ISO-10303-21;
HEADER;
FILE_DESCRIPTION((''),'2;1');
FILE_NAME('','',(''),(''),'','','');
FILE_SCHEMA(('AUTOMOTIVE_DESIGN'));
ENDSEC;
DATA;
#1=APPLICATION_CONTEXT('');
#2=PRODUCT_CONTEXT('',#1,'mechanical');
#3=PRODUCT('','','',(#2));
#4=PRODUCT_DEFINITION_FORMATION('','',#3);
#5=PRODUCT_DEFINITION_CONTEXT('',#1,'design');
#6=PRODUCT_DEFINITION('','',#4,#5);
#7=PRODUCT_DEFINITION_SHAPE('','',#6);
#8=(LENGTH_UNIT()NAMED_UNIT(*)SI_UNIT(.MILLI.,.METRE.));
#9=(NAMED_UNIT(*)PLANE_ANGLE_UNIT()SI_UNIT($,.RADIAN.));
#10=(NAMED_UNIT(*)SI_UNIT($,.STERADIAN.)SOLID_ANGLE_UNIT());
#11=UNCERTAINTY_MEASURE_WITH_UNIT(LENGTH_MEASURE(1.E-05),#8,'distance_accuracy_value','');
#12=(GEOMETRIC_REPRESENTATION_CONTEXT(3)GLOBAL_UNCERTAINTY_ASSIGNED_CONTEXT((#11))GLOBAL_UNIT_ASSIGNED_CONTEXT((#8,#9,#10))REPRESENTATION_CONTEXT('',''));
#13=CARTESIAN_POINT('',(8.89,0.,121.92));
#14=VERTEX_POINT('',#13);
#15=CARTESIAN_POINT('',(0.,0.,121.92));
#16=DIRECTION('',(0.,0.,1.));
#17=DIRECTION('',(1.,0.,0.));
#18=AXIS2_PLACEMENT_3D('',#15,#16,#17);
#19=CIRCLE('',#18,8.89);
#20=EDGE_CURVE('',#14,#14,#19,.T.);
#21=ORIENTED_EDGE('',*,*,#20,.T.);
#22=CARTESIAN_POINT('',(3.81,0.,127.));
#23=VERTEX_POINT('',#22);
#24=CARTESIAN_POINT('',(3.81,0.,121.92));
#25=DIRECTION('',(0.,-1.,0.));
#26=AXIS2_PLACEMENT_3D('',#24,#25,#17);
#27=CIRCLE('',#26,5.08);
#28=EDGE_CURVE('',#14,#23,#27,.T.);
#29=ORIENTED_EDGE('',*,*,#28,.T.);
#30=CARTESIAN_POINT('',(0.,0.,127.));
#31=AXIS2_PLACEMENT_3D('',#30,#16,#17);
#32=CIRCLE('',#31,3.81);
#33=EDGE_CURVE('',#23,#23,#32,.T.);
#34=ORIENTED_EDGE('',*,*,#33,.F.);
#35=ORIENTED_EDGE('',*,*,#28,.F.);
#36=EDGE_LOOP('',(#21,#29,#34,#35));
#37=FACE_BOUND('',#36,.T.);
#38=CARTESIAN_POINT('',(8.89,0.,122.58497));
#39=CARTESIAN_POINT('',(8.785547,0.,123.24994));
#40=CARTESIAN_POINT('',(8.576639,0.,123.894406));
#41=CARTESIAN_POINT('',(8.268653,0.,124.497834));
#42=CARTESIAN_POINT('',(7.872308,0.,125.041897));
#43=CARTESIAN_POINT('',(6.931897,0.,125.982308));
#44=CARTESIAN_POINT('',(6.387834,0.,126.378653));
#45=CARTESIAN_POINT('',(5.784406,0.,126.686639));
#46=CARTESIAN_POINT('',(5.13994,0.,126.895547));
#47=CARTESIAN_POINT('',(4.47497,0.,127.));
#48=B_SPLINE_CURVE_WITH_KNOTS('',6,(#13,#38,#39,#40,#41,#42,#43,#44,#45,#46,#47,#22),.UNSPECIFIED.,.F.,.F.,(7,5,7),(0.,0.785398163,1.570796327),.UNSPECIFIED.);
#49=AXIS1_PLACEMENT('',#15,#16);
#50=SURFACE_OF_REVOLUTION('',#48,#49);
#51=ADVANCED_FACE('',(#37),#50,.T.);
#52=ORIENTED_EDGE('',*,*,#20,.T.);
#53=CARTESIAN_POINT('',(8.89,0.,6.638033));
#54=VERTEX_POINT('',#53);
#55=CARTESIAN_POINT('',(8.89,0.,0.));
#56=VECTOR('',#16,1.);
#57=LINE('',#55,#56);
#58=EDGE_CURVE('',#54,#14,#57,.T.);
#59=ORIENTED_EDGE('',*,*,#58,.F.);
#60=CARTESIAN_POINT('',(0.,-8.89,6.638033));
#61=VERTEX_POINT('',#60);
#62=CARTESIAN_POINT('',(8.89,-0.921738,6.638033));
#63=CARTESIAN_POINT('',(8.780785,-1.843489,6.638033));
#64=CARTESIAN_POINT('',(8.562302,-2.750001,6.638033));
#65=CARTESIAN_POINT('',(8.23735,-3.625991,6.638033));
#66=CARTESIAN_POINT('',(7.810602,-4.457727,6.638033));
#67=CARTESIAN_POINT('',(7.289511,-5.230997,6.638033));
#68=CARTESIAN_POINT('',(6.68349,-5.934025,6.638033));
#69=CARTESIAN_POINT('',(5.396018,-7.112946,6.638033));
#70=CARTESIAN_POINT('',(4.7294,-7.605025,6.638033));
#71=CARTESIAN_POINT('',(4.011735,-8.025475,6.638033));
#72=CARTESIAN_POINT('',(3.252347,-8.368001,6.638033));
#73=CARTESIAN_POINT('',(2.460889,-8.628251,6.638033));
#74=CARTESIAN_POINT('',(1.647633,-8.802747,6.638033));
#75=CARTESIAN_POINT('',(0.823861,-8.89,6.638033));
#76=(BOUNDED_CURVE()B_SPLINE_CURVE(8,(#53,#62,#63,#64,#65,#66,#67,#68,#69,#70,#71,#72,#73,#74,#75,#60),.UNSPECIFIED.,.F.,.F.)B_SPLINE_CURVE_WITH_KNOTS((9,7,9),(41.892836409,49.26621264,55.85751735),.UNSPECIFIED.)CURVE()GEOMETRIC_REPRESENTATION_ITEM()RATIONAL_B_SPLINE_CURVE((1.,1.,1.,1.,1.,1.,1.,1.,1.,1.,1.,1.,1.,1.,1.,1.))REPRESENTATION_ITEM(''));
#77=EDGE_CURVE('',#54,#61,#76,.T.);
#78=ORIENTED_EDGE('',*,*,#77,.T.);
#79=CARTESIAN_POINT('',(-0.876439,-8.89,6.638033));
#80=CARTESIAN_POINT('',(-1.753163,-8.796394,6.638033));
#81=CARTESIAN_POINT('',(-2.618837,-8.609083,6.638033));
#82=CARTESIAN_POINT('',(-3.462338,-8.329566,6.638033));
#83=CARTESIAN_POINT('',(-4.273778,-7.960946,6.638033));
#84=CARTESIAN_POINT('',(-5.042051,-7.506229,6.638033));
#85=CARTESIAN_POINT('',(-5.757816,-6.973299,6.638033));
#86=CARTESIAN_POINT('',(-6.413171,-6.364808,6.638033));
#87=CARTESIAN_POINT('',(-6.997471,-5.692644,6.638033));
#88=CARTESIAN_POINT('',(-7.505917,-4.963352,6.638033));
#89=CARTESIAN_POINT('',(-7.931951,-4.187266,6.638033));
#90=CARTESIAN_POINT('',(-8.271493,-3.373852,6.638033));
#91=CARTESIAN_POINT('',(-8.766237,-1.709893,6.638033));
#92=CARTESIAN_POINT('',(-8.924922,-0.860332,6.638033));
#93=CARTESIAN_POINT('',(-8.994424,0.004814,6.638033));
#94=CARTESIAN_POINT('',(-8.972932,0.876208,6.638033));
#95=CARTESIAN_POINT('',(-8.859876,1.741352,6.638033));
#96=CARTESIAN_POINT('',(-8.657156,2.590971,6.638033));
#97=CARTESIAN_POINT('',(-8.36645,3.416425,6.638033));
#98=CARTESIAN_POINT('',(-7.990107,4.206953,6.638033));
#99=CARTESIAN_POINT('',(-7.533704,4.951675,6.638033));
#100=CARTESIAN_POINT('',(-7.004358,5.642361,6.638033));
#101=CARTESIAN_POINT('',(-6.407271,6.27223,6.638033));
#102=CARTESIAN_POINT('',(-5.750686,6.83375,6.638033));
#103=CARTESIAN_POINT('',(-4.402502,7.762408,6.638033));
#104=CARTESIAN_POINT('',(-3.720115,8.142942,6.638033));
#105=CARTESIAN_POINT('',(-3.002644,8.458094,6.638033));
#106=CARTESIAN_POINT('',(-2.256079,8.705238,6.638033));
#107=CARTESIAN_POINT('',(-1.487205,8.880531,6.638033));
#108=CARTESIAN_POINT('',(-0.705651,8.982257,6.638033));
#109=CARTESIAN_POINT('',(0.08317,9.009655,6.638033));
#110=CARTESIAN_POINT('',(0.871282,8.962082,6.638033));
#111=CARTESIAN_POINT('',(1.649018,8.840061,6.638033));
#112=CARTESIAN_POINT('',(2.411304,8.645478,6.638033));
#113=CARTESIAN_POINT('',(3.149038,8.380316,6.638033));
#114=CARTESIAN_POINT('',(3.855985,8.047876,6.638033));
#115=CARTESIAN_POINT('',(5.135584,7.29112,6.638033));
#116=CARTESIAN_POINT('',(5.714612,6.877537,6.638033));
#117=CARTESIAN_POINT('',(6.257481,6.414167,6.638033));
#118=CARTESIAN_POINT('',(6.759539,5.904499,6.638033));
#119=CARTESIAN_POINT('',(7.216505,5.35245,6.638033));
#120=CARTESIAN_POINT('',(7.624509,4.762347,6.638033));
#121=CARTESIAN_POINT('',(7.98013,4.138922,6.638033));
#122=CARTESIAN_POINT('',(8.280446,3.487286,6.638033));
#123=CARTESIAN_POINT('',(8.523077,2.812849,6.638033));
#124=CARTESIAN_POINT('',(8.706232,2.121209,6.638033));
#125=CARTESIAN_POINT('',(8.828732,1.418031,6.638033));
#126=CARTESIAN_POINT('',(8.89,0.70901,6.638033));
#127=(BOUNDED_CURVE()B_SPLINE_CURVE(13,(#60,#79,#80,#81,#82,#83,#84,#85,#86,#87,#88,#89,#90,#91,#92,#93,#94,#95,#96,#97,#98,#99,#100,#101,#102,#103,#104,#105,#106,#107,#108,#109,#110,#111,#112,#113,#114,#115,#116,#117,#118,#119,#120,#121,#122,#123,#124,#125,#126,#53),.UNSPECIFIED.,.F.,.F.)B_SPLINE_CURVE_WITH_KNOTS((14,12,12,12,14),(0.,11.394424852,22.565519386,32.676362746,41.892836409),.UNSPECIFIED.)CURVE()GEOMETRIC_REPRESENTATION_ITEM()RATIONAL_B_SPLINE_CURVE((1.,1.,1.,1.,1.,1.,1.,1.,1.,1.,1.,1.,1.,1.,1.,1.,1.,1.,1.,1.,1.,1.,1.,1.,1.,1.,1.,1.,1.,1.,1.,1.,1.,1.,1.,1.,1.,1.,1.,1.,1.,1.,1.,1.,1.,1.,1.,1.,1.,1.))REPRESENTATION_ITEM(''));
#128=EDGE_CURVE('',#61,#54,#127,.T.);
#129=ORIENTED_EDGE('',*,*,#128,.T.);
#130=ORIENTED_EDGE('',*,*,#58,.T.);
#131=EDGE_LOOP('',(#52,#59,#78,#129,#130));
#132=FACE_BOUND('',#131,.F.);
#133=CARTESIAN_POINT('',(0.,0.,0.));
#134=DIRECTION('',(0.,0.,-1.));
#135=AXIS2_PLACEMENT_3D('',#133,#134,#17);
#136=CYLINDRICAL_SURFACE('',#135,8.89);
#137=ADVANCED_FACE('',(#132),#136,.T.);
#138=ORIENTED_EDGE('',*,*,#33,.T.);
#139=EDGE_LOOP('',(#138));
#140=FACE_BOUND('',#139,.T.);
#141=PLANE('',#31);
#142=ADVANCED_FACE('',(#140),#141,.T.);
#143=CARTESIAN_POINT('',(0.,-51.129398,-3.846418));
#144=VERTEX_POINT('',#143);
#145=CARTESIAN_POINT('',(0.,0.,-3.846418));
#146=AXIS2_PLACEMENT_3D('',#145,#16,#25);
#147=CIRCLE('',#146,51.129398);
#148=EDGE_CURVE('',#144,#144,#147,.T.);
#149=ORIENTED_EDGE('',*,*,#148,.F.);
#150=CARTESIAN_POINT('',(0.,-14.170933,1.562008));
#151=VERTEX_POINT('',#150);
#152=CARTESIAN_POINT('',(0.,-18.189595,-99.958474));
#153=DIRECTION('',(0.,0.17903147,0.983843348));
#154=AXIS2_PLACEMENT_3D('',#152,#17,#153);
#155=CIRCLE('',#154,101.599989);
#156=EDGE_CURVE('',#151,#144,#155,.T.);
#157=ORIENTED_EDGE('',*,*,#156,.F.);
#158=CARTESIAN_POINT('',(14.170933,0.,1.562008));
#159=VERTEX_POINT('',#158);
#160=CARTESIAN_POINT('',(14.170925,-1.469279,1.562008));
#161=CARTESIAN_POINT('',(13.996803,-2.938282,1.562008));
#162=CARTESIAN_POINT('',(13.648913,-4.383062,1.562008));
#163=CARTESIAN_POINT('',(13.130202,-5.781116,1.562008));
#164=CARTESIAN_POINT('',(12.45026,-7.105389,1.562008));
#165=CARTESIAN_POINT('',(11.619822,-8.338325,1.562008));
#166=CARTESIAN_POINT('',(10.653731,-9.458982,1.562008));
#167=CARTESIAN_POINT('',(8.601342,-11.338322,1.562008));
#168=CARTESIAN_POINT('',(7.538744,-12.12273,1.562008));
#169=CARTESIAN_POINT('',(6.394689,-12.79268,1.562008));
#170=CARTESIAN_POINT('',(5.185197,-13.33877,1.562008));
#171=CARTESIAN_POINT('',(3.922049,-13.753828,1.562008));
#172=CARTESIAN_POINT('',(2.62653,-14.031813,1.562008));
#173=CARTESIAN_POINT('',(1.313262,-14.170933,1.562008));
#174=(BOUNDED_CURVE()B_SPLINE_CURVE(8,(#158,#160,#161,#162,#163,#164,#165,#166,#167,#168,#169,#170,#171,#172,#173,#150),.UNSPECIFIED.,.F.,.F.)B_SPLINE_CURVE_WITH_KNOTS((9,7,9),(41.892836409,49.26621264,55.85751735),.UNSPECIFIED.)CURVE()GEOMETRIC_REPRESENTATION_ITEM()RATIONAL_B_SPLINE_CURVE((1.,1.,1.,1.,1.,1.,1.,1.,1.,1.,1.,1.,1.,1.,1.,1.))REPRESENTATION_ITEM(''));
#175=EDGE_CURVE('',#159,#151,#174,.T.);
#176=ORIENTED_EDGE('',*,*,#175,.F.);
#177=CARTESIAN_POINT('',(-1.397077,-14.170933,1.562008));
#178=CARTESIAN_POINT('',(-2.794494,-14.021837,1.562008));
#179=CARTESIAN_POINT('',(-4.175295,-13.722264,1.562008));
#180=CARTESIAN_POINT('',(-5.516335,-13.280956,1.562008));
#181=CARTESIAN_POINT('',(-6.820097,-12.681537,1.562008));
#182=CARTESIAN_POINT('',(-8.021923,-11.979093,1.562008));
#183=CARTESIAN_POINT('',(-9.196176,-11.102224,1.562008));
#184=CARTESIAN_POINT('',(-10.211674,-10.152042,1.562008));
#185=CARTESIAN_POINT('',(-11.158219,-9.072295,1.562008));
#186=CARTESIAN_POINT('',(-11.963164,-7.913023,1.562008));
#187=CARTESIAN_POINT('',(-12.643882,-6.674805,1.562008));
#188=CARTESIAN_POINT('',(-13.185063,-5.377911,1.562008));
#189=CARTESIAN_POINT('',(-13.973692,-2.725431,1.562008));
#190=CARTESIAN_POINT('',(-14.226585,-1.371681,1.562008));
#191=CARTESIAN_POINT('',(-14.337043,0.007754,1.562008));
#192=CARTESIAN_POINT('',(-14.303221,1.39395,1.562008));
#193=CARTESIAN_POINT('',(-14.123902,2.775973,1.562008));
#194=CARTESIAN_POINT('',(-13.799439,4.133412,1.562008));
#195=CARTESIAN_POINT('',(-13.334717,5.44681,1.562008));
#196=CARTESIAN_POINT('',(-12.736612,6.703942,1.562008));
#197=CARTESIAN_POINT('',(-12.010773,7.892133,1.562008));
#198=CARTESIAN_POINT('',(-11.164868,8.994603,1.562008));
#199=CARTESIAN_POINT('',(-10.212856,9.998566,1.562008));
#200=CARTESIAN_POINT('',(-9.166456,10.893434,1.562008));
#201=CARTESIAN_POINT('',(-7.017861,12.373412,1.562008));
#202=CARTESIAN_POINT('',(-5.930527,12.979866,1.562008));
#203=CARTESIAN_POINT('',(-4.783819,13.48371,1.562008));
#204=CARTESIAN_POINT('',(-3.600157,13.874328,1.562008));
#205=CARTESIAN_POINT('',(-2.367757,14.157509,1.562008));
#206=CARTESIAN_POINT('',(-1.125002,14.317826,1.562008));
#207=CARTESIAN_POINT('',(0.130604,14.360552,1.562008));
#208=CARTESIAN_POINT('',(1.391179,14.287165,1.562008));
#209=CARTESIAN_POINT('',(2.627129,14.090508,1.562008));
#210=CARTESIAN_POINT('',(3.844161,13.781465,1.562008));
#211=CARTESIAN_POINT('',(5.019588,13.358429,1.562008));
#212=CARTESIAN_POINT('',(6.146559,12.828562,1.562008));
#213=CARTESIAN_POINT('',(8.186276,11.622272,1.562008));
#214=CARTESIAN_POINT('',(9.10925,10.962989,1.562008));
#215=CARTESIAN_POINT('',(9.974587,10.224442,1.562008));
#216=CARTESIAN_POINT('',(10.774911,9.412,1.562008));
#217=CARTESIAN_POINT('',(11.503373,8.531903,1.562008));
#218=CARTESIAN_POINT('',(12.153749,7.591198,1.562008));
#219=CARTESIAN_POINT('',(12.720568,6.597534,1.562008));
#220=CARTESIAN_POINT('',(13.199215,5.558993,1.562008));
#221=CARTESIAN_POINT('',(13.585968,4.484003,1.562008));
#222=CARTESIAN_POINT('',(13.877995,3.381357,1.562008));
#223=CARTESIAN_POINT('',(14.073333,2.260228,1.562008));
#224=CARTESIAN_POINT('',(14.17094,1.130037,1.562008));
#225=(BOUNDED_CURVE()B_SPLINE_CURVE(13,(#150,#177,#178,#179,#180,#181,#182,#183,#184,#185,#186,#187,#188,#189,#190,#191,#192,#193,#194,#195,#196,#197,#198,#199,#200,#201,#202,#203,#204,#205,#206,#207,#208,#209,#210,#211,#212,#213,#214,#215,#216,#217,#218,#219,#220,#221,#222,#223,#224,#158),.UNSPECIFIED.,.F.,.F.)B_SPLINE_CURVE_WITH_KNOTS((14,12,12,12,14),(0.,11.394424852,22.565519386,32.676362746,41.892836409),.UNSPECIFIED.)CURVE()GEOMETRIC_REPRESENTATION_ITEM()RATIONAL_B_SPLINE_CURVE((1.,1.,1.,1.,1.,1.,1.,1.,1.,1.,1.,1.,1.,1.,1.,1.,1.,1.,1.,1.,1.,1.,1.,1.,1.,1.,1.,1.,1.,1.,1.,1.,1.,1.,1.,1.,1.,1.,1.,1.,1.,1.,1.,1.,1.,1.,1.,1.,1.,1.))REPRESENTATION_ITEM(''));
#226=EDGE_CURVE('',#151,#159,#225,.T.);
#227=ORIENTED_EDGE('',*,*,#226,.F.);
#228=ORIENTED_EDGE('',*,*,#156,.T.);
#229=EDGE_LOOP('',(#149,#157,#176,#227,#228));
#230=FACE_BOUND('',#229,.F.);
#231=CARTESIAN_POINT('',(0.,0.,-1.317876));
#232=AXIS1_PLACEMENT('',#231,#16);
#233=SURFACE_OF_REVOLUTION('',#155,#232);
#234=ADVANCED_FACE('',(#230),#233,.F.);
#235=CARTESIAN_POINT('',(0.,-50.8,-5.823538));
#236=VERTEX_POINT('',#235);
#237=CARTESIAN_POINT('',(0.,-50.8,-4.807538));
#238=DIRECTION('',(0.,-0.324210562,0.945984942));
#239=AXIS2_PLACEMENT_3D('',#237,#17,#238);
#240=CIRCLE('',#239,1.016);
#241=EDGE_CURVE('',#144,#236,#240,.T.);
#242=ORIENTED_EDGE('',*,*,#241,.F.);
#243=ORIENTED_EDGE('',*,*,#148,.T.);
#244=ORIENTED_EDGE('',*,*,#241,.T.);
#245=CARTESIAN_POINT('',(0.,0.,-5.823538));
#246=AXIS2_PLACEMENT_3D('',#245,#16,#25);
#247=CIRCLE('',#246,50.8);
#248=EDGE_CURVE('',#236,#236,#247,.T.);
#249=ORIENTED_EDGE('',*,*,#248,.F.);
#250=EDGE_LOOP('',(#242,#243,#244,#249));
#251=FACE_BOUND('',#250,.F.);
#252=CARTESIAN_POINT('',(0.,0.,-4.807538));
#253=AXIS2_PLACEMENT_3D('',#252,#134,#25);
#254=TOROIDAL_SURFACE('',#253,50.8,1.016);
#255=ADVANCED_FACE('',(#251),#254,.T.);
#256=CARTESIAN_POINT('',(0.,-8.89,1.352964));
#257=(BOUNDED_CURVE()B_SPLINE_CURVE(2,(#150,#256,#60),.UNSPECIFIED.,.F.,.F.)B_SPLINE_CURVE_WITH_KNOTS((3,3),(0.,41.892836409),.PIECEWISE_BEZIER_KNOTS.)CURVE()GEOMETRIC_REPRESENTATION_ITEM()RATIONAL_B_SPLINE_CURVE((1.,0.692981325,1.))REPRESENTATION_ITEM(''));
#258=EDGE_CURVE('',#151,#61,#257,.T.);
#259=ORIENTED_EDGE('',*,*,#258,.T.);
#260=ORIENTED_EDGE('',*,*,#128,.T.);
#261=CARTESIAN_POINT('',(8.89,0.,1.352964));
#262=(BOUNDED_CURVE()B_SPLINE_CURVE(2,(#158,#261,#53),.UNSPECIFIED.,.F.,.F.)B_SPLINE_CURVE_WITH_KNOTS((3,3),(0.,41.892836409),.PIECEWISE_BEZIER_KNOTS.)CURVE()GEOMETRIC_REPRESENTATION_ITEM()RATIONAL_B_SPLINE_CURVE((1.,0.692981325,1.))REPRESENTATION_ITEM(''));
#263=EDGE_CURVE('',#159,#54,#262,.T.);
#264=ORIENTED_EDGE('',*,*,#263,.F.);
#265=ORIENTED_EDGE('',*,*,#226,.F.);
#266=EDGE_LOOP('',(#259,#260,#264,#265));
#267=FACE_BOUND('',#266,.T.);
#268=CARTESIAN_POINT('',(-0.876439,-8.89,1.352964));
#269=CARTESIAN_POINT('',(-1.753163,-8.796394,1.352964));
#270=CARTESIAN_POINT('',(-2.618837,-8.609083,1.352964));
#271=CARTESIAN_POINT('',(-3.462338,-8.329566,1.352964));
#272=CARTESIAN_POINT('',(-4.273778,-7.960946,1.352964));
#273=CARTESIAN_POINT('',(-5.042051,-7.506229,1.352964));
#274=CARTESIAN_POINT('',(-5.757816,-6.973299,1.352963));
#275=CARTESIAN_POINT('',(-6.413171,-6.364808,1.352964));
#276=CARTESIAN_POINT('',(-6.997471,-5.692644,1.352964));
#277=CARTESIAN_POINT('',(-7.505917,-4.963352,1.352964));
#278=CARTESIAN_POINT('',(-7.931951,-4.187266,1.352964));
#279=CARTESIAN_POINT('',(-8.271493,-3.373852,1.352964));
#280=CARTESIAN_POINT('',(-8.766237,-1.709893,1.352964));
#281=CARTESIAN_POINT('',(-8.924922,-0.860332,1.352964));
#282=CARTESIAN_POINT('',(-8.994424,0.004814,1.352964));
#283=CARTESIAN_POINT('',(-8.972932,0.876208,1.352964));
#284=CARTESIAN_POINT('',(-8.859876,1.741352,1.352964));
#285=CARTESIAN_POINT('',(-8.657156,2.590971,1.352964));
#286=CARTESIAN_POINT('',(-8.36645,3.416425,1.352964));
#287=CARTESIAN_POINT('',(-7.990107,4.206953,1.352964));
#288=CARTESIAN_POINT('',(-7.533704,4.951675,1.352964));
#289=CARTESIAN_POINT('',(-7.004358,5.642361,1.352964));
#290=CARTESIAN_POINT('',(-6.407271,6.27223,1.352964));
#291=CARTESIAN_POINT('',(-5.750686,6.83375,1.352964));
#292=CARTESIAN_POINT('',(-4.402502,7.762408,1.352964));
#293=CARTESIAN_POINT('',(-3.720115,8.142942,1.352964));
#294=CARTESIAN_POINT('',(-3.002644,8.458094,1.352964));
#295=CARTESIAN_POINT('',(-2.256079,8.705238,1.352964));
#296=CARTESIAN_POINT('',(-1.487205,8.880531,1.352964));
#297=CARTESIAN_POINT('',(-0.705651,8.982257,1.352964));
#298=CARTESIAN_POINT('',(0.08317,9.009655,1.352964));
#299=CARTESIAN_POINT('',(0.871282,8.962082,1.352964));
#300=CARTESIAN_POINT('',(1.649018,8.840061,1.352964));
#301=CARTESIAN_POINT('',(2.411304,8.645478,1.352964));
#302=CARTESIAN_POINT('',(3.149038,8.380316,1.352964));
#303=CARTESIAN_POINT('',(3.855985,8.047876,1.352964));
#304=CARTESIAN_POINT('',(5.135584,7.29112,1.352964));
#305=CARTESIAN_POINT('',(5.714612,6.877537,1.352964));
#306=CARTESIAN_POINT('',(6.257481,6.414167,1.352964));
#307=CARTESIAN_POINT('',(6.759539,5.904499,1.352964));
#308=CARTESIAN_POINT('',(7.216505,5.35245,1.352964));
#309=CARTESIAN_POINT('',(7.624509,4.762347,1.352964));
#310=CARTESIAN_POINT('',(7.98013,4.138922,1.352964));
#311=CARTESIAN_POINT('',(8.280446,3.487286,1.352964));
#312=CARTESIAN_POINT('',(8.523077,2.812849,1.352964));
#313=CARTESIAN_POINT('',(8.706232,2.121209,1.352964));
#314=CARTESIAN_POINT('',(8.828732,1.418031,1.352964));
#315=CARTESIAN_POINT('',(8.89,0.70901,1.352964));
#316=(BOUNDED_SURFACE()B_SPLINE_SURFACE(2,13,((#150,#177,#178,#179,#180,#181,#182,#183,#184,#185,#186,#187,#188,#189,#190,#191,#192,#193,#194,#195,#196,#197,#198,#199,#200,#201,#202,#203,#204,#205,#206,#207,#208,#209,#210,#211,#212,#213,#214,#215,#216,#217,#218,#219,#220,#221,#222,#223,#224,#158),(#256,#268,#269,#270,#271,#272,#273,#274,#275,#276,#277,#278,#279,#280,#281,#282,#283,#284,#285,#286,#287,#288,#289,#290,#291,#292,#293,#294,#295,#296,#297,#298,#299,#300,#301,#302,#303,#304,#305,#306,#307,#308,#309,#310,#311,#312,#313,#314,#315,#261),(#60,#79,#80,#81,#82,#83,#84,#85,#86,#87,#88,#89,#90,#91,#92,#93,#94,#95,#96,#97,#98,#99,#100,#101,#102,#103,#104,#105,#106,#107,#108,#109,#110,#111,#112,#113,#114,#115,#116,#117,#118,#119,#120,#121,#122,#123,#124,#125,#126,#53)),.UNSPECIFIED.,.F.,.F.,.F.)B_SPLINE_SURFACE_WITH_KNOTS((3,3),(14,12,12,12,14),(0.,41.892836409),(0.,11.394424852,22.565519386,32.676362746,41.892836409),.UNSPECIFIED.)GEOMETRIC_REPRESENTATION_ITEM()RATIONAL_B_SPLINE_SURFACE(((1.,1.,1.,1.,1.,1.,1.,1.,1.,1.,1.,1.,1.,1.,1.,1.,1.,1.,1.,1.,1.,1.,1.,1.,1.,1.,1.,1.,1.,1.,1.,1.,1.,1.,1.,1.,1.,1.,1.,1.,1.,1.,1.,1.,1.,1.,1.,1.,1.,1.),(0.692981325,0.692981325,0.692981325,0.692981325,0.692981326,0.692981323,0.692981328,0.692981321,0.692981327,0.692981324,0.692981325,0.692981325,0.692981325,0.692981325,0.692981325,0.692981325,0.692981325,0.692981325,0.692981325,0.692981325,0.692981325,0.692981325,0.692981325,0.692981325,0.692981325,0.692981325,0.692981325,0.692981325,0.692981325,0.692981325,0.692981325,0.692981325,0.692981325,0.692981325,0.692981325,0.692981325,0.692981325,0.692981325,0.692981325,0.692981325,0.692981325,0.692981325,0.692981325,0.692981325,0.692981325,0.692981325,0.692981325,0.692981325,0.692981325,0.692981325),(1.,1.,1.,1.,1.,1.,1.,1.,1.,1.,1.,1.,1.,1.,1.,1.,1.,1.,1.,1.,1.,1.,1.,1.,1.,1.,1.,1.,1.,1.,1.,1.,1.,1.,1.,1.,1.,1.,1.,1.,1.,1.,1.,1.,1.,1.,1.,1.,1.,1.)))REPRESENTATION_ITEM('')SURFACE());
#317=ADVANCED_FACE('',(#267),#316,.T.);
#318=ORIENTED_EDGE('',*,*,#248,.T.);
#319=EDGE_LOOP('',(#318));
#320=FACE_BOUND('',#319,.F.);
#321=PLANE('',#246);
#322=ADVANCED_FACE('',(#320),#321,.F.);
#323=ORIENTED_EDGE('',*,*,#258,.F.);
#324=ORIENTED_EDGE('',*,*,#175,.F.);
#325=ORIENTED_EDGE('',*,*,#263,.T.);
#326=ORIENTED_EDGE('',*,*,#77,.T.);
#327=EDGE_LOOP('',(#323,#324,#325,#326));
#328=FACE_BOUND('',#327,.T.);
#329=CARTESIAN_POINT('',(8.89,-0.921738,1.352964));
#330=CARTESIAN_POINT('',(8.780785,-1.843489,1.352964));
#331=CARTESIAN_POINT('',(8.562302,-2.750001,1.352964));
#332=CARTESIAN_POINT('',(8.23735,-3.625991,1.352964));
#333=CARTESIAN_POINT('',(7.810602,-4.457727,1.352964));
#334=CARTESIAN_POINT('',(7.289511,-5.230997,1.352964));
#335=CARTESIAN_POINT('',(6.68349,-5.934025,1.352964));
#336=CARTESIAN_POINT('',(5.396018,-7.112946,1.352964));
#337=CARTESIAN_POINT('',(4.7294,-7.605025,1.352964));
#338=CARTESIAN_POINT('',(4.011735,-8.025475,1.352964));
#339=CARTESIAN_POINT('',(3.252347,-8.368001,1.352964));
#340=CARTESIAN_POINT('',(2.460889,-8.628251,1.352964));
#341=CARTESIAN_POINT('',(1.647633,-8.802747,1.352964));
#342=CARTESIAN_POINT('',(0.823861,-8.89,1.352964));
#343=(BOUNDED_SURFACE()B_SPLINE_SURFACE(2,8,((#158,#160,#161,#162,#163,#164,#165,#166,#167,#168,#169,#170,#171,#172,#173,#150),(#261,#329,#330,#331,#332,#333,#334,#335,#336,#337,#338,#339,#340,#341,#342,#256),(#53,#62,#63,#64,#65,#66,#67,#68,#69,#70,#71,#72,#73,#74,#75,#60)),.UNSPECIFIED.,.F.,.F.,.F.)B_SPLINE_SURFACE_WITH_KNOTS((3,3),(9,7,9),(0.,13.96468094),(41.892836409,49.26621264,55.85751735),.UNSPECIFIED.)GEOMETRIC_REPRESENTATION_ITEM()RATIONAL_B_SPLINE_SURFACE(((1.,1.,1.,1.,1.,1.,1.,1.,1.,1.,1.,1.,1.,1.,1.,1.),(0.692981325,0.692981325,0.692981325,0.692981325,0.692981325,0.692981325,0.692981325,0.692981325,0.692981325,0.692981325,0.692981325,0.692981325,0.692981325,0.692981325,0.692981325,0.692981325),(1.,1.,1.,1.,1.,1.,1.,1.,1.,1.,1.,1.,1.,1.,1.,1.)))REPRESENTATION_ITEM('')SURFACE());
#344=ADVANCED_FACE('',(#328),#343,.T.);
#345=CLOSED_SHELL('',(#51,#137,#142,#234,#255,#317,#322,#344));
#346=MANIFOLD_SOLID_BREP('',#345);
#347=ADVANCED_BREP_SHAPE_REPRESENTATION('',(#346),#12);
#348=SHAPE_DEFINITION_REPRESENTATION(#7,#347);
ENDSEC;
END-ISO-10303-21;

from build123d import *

# Parameters (mm, degrees)
F0_R     = 8.89
F1_DEPTH = 127
F4_R     = 5.08


with BuildPart() as f1:
    # F0 (on Top) → F1 (new body)
    with BuildSketch(Plane.XY):
        Circle(F0_R)
    extrude(amount=F1_DEPTH)

    # F2 (on Right) → F3 (revolve)
    with BuildSketch(Plane.YZ):
        with BuildLine():
            Line((-50.8, -5.823538), (0, -5.823538))
            Line((0, -5.823538), (0, 0))
            ThreePointArc((0, 0), (-25.811333, 1.355232), (-51.129398, -3.846418))
            ThreePointArc((-51.129398, -3.846418), (-51.802186, -4.974508), (-50.8, -5.823538))
        make_face()
    revolve(axis=Axis((0, 0, -1.317876), (0, 0, 1)))

    # F4
    f4_edges = [f1.edges().sort_by_distance(p)[0] for p in [
        (-8.89, 0, 127),
        (-6.286179, 6.286179, 1.215018),
        (6.286179, -6.286179, 1.215018),
    ]]
    fillet(f4_edges, radius=F4_R)


solid = f1.part
